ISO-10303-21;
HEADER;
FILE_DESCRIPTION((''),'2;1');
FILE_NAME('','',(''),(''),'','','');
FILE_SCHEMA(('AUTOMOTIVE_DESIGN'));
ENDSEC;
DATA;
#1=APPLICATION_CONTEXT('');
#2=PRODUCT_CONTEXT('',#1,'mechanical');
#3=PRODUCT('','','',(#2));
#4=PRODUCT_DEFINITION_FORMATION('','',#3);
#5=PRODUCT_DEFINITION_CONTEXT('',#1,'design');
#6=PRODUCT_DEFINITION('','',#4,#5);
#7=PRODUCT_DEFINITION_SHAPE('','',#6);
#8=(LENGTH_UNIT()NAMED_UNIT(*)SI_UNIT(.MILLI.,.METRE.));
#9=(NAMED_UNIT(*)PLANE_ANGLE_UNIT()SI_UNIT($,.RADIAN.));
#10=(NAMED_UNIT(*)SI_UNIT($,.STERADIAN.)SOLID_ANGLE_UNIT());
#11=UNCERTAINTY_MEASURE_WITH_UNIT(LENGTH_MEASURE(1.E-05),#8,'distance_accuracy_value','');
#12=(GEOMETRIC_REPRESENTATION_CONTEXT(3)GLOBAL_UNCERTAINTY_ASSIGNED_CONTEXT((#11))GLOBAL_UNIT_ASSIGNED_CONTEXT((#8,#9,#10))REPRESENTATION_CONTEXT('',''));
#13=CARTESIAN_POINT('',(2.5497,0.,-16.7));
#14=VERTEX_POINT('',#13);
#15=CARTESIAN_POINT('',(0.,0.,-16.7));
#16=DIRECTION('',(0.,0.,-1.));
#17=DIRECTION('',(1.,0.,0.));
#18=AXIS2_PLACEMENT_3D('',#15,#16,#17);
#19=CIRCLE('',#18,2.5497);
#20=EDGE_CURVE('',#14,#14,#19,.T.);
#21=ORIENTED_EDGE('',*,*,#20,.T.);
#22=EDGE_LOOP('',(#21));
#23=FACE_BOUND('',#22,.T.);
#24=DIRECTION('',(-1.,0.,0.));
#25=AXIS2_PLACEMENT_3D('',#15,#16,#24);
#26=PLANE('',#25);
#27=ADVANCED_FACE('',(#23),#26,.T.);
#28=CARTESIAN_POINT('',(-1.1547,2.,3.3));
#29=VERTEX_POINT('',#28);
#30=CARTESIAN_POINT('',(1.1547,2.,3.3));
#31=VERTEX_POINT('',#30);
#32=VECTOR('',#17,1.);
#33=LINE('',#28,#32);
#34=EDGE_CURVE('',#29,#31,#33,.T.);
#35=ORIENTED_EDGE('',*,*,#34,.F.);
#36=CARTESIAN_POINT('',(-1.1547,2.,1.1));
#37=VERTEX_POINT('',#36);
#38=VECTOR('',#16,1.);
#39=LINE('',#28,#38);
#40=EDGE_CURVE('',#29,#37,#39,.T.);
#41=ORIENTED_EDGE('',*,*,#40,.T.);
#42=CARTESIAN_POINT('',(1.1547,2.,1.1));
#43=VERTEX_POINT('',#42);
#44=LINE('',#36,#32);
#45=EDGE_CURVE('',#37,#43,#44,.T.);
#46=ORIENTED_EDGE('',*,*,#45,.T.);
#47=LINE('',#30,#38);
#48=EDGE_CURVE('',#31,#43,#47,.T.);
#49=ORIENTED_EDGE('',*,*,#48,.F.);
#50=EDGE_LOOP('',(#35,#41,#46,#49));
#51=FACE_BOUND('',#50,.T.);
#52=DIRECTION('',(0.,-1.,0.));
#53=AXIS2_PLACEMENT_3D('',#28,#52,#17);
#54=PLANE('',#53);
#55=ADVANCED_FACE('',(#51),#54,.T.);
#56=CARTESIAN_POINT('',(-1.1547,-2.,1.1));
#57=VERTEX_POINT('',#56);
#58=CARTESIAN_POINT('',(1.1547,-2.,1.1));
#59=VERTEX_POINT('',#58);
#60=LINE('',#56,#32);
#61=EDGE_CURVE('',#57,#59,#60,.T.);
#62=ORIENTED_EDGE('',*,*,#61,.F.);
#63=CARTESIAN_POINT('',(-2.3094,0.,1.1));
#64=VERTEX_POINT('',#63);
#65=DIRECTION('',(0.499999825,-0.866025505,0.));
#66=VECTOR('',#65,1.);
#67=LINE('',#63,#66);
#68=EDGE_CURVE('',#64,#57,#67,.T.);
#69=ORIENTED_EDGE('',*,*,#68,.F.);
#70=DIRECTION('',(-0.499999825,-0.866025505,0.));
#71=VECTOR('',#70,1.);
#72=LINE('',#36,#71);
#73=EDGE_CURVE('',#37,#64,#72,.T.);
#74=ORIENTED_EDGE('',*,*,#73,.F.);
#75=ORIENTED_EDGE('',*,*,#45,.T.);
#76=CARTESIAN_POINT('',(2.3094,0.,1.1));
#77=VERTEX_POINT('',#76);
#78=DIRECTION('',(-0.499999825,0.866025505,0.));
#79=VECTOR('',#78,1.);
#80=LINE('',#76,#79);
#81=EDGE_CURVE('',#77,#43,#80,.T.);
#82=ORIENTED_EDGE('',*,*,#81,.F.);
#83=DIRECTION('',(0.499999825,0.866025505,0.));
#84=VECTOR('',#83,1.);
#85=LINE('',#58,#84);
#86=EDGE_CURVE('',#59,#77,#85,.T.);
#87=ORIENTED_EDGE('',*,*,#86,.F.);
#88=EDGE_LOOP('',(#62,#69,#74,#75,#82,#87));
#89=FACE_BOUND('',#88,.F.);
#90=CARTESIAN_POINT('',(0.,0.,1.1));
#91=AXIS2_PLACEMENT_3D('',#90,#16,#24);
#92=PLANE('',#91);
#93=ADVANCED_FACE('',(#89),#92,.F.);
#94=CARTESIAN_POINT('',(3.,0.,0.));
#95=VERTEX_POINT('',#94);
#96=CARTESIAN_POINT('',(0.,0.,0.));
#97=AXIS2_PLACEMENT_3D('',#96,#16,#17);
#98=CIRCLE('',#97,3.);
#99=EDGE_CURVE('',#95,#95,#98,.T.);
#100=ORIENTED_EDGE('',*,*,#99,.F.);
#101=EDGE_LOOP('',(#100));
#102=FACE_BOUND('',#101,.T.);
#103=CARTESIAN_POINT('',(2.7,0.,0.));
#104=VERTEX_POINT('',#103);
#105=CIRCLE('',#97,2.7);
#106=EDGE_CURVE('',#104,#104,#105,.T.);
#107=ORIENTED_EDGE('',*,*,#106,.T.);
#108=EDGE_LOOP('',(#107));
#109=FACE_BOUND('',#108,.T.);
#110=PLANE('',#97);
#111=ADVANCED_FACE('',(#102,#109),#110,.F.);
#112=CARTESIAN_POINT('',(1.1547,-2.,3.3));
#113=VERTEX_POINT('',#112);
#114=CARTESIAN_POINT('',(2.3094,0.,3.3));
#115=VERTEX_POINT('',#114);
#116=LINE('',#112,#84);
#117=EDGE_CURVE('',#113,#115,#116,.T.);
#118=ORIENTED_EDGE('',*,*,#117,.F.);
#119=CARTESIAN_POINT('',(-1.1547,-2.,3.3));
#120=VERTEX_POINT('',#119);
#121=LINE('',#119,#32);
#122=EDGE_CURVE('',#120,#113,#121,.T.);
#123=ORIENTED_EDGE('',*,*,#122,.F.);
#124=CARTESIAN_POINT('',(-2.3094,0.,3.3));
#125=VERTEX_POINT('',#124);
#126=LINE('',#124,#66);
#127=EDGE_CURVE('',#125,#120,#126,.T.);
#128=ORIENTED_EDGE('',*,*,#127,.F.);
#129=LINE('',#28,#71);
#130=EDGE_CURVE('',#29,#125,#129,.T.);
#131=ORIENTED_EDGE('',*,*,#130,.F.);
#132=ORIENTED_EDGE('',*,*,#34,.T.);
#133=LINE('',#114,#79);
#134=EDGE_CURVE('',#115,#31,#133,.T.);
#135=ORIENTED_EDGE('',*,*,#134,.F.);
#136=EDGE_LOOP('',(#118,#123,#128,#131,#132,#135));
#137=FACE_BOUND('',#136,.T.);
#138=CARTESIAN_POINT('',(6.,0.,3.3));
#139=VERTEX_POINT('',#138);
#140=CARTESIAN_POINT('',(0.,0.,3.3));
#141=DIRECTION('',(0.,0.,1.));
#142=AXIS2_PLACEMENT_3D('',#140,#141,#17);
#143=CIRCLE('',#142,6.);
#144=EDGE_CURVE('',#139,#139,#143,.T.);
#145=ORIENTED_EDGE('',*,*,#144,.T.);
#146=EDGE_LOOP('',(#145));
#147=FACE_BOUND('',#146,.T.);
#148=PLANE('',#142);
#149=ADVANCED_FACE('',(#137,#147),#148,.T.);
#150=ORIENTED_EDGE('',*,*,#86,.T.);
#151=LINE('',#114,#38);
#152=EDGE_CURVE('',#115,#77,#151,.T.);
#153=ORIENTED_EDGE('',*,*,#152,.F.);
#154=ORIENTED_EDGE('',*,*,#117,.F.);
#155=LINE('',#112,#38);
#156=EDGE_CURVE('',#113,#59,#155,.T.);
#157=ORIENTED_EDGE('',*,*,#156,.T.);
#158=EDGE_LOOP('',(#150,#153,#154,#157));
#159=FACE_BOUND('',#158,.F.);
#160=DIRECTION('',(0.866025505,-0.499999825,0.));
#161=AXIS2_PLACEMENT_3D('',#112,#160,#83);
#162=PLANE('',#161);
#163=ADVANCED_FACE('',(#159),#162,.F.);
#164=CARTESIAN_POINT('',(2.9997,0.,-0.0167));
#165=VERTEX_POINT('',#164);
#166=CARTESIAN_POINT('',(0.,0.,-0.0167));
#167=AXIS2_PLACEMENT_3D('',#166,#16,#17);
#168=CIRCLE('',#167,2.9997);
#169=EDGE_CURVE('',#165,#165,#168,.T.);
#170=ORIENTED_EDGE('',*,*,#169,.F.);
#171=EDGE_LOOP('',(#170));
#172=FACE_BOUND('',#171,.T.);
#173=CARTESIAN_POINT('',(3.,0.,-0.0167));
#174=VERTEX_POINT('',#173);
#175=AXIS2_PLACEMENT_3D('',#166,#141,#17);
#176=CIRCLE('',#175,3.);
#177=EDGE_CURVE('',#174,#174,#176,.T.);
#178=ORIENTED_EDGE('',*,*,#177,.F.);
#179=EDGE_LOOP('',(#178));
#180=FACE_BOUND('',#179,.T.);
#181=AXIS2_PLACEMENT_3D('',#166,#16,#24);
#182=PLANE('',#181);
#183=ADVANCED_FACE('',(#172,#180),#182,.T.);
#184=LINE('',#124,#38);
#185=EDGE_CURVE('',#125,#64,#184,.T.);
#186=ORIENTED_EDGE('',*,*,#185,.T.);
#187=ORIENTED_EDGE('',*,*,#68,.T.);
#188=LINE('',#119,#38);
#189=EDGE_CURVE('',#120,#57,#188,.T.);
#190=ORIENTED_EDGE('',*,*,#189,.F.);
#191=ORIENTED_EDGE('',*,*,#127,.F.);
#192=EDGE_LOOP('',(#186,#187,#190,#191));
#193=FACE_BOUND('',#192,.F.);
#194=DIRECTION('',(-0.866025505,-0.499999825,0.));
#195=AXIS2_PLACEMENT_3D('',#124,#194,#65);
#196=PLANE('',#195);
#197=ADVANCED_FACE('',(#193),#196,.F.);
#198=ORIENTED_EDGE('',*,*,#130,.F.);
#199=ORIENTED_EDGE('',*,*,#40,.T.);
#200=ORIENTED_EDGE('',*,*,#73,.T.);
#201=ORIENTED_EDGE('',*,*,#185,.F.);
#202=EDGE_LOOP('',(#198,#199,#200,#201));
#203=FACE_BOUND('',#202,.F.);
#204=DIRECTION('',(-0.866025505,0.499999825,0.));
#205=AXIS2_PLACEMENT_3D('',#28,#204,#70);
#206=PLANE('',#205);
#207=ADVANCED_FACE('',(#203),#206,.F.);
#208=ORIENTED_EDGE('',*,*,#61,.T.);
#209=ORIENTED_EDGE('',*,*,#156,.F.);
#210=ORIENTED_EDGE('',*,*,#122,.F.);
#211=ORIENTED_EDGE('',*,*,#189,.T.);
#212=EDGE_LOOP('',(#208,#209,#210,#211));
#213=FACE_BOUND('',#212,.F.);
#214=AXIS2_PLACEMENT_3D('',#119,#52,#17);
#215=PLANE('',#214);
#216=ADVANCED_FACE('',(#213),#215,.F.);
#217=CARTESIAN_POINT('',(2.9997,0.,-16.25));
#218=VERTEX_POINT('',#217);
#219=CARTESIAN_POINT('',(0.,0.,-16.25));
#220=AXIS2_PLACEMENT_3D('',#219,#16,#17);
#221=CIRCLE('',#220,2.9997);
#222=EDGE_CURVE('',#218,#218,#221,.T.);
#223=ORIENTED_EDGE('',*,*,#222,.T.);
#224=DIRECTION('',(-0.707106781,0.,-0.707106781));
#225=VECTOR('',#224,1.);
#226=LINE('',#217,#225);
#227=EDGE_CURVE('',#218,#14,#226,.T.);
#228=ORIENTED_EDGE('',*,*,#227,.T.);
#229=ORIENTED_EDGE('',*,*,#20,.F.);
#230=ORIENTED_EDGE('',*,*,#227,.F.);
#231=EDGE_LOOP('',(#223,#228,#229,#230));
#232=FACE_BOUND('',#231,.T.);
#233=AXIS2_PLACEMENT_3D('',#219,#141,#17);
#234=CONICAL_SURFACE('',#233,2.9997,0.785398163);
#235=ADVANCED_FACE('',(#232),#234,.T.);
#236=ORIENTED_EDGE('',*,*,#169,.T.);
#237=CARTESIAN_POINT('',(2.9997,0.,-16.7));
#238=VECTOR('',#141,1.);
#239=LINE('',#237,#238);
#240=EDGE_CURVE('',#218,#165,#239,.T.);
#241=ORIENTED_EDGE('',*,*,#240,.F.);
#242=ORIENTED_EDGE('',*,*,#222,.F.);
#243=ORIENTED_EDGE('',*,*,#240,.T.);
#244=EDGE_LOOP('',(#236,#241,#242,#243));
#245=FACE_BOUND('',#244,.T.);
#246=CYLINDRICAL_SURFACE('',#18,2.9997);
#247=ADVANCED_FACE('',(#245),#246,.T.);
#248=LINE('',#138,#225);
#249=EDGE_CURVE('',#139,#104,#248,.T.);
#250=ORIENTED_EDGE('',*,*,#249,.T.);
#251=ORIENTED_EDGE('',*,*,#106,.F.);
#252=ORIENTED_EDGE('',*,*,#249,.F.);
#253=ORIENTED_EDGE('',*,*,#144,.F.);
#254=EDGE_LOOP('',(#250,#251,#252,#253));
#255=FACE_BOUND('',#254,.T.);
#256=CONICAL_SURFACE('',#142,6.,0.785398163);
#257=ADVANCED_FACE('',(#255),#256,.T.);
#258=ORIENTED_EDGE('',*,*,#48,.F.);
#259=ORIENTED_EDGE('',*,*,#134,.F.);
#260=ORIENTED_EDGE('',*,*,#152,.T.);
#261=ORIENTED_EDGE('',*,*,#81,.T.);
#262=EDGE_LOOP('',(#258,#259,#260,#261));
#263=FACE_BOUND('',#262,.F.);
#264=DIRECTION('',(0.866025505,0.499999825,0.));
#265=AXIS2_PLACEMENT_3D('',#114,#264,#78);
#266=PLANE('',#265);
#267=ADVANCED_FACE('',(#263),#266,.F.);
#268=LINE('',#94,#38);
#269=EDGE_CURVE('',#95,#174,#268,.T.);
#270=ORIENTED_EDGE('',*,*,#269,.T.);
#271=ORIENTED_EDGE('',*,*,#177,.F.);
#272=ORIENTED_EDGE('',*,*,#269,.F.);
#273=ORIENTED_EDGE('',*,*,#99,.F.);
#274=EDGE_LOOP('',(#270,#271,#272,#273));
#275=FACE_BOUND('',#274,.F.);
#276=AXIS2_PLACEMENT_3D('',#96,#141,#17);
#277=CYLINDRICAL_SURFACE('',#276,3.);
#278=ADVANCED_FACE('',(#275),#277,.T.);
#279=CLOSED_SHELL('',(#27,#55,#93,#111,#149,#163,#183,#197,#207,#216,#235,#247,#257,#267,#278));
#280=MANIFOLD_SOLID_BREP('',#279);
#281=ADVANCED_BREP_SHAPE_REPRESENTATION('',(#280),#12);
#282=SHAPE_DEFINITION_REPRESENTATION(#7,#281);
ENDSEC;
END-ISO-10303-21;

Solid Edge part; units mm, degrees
sketch "Sketch1" plane through (0, 0, 0) normal (0, 0, 1) x (1, 0, 0)
  circle A0 centre (0, 0) radius 6
  dimension "D1" = 12
extrude "Protrusion1" add sketch "Sketch1" along normal blind 3.3
sketch "Sketch2" plane through (0, 0, 0) normal (0, 0, -1) x (1, 0, 0)
  circle A0 centre (0, 0) radius 3
extrude "Protrusion2" add sketch "Sketch2" along normal blind 16.7
sketch "Sketch3" plane through (0, 0, -16.7) normal (0, 0, -1) x (1, 0, 0)
  circle A0 centre (0, 0) radius 2.9997
extrude "Cutout1" cut sketch "Sketch3" against normal blind 16.6833 flip side to cut
chamfer "Chamfer_1" distance 0.45 angle 45 1 edges at (-2.9997, 0, -16.7)
sketch "Sketch4" plane through (0, 0, 3.3) normal (0, 0, 1) x (1, 0, 0)
  line L0 (-1.1547, 2) -> (1.1547, 2)
  line L1 (2.3094, 0) -> (1.1547, 2)
  line L2 (1.1547, -2) -> (2.3094, 0)
  line L3 (-1.1547, -2) -> (1.1547, -2)
  line L4 (-2.3094, 0) -> (-1.1547, -2)
  line L5 (-1.1547, 2) -> (-2.3094, 0)
  dimension "D1" = 4
extrude "Cutout2" cut sketch "Sketch4" against normal blind 2.2
sketch "Sketch5" plane through (0, 0, 0) normal (0, -1, 0) x (1, 0, 0)
  line L0 (6, 3.3) -> (2.7, 0)
  line L1 (2.7, 0) -> (6, 0)
  line L2 (6, 0) -> (6, 3.3)
revolve "RevolvedCutout1" cut sketch "Sketch5" angle 360 about axis through (0, 0, 14.0017) along (0, 0, -1)
properties part number "24104198"
